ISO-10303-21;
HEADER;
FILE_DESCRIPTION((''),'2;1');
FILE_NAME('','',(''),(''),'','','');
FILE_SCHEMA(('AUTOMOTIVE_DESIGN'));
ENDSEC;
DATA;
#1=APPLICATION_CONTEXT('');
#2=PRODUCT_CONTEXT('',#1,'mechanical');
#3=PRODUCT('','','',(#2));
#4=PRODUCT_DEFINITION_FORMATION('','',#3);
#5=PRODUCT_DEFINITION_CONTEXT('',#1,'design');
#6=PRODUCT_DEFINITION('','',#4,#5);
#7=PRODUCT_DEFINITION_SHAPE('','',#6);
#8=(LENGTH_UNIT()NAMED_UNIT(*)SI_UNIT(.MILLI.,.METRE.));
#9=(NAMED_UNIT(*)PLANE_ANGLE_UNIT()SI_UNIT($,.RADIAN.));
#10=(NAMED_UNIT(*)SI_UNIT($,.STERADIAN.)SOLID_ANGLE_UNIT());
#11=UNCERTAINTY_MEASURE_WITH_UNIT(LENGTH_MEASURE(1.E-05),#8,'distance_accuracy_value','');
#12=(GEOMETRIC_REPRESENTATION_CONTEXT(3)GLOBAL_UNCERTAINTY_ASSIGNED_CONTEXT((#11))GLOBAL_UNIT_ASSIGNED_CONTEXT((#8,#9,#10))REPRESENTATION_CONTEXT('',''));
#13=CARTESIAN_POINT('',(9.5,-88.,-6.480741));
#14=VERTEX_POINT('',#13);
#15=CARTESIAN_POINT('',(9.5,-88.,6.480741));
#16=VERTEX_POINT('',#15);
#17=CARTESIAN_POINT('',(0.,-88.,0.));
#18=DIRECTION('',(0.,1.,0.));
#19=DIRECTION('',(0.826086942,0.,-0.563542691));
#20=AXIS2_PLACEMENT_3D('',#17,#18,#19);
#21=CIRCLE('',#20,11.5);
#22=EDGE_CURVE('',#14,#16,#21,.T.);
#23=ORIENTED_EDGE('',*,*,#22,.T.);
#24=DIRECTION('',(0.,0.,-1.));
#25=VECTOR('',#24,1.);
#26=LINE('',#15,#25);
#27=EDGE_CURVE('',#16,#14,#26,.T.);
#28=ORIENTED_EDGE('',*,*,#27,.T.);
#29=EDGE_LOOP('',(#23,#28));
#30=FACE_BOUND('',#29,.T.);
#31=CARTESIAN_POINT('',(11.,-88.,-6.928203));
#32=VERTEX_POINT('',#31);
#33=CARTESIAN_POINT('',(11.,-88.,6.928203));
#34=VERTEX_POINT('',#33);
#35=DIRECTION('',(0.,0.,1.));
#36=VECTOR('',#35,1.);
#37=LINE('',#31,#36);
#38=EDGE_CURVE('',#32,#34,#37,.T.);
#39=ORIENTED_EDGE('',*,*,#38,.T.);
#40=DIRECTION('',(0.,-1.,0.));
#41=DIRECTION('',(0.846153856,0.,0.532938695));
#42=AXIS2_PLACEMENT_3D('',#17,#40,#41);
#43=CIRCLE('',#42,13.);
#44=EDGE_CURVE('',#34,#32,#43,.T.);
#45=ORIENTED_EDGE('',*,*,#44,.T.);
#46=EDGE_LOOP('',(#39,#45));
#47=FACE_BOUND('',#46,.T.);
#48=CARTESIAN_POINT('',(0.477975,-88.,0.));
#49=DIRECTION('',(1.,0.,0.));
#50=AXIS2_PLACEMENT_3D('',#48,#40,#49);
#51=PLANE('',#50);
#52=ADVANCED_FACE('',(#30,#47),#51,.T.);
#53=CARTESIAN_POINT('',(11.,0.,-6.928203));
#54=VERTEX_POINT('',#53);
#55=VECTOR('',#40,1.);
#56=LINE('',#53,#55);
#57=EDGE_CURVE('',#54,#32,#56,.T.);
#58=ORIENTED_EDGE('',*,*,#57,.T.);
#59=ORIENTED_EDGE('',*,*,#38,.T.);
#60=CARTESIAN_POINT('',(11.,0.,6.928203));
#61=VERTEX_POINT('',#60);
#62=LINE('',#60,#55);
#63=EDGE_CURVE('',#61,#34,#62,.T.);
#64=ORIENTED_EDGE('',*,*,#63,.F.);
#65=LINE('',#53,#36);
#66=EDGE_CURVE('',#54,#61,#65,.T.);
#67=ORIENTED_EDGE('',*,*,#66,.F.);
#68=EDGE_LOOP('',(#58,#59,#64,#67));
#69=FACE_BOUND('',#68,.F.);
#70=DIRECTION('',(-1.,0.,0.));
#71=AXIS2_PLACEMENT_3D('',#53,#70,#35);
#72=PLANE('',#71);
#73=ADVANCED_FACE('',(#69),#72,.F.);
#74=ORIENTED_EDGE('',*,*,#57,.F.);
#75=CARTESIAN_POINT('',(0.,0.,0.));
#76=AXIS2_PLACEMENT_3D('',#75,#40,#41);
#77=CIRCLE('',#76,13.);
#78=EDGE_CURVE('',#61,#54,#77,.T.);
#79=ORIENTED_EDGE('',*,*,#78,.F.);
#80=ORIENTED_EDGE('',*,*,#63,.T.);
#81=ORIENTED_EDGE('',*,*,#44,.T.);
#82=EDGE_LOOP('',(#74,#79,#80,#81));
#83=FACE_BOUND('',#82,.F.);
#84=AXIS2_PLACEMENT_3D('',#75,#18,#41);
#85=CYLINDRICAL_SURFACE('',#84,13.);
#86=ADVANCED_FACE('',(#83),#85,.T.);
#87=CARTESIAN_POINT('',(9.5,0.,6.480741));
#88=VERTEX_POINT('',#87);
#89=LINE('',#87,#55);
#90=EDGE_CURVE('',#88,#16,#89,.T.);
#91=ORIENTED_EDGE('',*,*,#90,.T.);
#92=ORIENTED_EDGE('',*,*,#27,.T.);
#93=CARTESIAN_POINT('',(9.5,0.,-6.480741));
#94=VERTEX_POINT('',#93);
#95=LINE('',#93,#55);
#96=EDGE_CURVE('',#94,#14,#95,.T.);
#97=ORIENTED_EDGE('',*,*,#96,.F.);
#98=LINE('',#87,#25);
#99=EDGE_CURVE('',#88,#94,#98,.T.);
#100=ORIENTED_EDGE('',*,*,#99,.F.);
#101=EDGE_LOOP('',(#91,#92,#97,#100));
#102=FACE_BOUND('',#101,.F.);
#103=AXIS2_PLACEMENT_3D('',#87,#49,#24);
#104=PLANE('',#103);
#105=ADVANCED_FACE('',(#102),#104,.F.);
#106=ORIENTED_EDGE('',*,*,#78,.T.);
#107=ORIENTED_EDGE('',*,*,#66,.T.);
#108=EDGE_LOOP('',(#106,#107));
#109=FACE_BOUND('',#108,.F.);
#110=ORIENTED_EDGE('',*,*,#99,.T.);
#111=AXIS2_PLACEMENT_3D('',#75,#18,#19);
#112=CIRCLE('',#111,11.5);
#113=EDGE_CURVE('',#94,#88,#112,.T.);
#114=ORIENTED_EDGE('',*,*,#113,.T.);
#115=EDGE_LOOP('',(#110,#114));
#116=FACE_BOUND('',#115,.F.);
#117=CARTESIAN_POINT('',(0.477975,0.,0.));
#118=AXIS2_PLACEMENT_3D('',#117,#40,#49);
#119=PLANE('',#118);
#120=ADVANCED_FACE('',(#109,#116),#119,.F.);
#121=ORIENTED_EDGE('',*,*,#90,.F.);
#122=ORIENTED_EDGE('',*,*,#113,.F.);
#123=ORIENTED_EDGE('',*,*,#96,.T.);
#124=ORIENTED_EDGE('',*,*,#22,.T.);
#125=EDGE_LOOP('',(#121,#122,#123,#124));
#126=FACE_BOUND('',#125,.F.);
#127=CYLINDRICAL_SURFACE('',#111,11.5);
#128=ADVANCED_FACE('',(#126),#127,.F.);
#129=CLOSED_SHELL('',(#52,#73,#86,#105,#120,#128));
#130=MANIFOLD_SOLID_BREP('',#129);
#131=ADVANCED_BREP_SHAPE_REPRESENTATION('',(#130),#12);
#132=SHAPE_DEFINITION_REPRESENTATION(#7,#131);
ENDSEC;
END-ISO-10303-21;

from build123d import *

# Parameters (mm, degrees)
F1_DEPTH = 88


with BuildPart() as f1:
    # F0 (on Front) → F1 (new body)
    with BuildSketch(Plane.XZ):
        with BuildLine():
            Line((11, -6.928203), (11, 6.928203))
            ThreePointArc((11, 6.928203), (-13, 0), (11, -6.928203))
        make_face()
        with BuildLine():
            ThreePointArc((9.5, -6.480741), (-11.5, 0), (9.5, 6.480741))
            Line((9.5, 6.480741), (9.5, -6.480741))
        make_face(mode=Mode.SUBTRACT)
    extrude(amount=F1_DEPTH)


solid = f1.part
